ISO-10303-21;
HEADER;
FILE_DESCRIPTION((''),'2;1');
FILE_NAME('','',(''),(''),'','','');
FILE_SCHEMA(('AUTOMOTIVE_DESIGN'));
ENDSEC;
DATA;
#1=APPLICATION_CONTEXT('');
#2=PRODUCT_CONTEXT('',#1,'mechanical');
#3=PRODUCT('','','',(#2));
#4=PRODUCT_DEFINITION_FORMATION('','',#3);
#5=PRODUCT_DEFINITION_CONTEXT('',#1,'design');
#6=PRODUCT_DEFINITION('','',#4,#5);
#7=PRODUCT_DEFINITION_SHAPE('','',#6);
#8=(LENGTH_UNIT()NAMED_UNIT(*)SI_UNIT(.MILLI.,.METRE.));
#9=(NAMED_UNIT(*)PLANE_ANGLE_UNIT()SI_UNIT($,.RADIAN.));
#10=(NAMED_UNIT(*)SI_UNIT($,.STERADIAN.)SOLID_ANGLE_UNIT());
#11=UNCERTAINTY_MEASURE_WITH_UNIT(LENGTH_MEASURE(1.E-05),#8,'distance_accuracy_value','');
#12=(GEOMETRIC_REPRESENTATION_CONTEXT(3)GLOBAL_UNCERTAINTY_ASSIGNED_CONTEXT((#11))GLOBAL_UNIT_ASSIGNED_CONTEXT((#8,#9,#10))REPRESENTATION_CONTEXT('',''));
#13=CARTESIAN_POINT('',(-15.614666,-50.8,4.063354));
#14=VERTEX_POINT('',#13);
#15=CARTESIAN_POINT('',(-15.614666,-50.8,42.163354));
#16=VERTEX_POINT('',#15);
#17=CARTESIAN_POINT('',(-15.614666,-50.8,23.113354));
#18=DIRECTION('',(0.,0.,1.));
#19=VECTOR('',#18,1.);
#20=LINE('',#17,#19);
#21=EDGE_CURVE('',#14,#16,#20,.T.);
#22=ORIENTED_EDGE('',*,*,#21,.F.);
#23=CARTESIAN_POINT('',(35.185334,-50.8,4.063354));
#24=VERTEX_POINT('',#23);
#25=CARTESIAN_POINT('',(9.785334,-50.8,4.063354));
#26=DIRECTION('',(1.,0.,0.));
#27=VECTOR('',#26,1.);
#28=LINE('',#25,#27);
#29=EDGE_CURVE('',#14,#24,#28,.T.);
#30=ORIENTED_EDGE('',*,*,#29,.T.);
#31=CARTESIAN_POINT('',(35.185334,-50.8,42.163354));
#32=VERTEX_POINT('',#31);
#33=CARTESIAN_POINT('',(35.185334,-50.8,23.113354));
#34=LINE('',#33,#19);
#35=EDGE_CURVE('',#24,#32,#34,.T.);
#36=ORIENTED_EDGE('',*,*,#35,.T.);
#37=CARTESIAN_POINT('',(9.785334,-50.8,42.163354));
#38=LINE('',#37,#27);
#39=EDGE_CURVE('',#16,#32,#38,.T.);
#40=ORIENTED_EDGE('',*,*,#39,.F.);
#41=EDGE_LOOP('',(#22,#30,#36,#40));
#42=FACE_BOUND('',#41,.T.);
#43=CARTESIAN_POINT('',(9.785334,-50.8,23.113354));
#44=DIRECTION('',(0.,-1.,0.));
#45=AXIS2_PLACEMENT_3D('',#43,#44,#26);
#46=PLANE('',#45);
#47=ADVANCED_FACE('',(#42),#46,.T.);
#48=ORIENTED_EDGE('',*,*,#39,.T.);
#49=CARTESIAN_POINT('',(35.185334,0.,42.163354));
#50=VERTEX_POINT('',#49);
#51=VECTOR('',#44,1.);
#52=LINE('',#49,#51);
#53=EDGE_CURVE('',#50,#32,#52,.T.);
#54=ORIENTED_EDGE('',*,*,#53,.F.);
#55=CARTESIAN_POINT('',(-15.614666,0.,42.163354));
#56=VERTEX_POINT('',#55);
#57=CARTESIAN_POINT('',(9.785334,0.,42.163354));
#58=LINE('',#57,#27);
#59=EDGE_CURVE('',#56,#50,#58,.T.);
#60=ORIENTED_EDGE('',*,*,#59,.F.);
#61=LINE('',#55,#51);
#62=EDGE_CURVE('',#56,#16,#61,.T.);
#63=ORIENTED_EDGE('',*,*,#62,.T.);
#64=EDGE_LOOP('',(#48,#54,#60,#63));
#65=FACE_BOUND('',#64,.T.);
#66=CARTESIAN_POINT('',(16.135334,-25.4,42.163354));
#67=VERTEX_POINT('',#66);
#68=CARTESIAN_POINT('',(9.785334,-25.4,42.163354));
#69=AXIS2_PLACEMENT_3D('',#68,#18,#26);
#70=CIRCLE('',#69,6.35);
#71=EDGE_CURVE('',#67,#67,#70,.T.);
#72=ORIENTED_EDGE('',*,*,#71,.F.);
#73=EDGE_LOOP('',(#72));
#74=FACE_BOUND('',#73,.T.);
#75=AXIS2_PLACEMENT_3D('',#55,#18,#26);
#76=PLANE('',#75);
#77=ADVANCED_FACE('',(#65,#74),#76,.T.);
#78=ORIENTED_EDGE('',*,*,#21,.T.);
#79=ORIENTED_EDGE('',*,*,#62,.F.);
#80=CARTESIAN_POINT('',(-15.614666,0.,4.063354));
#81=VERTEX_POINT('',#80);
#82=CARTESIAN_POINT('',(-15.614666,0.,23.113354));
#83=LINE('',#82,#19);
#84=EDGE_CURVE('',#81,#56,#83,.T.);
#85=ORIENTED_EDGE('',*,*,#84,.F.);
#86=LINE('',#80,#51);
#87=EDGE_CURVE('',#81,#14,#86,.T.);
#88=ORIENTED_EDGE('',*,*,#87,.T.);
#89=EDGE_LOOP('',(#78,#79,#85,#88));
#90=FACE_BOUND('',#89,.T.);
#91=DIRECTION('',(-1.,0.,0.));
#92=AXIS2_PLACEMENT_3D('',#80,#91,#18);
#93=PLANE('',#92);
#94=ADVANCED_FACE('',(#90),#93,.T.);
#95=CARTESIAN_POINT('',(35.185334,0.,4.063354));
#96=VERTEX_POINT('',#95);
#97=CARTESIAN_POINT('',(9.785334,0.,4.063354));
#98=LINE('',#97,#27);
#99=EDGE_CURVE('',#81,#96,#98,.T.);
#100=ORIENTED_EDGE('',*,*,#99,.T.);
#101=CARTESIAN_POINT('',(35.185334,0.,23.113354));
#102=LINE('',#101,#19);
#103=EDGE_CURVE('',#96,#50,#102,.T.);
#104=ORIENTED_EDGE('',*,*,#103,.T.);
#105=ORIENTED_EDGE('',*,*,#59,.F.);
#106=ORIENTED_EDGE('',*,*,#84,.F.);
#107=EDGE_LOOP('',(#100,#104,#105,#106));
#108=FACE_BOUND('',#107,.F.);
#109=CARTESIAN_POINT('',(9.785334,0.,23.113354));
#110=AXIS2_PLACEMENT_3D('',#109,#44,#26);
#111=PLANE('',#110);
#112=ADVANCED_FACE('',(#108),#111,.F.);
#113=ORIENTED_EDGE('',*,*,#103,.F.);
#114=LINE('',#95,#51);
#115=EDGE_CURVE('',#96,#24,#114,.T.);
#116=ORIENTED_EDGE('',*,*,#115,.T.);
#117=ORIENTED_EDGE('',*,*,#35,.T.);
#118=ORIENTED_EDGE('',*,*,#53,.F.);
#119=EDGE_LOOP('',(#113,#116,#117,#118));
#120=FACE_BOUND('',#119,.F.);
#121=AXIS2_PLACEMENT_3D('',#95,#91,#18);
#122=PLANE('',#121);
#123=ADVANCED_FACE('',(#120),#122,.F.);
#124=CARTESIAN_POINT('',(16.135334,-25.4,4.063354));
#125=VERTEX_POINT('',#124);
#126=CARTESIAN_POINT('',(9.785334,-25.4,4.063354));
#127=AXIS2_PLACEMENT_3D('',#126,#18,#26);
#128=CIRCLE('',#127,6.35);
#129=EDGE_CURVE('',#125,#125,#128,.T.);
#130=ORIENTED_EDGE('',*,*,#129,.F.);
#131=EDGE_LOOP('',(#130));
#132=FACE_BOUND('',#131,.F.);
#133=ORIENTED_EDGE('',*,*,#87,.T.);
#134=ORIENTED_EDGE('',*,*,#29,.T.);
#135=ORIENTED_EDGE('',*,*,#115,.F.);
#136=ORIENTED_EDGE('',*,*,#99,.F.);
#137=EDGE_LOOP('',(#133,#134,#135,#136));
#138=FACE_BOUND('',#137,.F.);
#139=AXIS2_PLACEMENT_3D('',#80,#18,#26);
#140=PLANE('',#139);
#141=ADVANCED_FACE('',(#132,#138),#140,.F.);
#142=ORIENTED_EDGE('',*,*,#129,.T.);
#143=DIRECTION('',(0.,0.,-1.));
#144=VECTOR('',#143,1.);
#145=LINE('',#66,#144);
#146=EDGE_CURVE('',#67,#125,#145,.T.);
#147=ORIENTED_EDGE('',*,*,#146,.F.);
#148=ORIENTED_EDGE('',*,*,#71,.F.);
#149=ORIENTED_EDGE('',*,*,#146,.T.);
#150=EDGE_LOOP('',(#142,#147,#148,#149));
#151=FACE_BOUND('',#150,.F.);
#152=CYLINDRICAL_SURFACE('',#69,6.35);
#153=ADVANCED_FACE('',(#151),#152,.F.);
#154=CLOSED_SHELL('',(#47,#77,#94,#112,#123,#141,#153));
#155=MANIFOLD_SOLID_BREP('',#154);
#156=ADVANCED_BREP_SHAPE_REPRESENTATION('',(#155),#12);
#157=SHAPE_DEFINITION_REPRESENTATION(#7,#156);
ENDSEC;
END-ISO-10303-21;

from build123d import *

# Parameters (mm, degrees)
F0_W     = 50.8
F0_H     = 38.1
F1_DEPTH = 50.8
F2_R     = 6.35
F3_DEPTH = 56.515


with BuildPart() as f1:
    # F0 (on Front) → F1 (new body)
    with BuildSketch(Plane.XZ):
        with Locations((9.785334, 23.113354)):
            Rectangle(F0_W, F0_H)
    extrude(amount=F1_DEPTH)

    # F2 (on face) → F3 (cut)
    with BuildSketch(Plane.XY.offset(42.163354)):
        with Locations((9.785334, -25.4)):
            Circle(F2_R)
    extrude(amount=-F3_DEPTH, mode=Mode.SUBTRACT)


solid = f1.part
